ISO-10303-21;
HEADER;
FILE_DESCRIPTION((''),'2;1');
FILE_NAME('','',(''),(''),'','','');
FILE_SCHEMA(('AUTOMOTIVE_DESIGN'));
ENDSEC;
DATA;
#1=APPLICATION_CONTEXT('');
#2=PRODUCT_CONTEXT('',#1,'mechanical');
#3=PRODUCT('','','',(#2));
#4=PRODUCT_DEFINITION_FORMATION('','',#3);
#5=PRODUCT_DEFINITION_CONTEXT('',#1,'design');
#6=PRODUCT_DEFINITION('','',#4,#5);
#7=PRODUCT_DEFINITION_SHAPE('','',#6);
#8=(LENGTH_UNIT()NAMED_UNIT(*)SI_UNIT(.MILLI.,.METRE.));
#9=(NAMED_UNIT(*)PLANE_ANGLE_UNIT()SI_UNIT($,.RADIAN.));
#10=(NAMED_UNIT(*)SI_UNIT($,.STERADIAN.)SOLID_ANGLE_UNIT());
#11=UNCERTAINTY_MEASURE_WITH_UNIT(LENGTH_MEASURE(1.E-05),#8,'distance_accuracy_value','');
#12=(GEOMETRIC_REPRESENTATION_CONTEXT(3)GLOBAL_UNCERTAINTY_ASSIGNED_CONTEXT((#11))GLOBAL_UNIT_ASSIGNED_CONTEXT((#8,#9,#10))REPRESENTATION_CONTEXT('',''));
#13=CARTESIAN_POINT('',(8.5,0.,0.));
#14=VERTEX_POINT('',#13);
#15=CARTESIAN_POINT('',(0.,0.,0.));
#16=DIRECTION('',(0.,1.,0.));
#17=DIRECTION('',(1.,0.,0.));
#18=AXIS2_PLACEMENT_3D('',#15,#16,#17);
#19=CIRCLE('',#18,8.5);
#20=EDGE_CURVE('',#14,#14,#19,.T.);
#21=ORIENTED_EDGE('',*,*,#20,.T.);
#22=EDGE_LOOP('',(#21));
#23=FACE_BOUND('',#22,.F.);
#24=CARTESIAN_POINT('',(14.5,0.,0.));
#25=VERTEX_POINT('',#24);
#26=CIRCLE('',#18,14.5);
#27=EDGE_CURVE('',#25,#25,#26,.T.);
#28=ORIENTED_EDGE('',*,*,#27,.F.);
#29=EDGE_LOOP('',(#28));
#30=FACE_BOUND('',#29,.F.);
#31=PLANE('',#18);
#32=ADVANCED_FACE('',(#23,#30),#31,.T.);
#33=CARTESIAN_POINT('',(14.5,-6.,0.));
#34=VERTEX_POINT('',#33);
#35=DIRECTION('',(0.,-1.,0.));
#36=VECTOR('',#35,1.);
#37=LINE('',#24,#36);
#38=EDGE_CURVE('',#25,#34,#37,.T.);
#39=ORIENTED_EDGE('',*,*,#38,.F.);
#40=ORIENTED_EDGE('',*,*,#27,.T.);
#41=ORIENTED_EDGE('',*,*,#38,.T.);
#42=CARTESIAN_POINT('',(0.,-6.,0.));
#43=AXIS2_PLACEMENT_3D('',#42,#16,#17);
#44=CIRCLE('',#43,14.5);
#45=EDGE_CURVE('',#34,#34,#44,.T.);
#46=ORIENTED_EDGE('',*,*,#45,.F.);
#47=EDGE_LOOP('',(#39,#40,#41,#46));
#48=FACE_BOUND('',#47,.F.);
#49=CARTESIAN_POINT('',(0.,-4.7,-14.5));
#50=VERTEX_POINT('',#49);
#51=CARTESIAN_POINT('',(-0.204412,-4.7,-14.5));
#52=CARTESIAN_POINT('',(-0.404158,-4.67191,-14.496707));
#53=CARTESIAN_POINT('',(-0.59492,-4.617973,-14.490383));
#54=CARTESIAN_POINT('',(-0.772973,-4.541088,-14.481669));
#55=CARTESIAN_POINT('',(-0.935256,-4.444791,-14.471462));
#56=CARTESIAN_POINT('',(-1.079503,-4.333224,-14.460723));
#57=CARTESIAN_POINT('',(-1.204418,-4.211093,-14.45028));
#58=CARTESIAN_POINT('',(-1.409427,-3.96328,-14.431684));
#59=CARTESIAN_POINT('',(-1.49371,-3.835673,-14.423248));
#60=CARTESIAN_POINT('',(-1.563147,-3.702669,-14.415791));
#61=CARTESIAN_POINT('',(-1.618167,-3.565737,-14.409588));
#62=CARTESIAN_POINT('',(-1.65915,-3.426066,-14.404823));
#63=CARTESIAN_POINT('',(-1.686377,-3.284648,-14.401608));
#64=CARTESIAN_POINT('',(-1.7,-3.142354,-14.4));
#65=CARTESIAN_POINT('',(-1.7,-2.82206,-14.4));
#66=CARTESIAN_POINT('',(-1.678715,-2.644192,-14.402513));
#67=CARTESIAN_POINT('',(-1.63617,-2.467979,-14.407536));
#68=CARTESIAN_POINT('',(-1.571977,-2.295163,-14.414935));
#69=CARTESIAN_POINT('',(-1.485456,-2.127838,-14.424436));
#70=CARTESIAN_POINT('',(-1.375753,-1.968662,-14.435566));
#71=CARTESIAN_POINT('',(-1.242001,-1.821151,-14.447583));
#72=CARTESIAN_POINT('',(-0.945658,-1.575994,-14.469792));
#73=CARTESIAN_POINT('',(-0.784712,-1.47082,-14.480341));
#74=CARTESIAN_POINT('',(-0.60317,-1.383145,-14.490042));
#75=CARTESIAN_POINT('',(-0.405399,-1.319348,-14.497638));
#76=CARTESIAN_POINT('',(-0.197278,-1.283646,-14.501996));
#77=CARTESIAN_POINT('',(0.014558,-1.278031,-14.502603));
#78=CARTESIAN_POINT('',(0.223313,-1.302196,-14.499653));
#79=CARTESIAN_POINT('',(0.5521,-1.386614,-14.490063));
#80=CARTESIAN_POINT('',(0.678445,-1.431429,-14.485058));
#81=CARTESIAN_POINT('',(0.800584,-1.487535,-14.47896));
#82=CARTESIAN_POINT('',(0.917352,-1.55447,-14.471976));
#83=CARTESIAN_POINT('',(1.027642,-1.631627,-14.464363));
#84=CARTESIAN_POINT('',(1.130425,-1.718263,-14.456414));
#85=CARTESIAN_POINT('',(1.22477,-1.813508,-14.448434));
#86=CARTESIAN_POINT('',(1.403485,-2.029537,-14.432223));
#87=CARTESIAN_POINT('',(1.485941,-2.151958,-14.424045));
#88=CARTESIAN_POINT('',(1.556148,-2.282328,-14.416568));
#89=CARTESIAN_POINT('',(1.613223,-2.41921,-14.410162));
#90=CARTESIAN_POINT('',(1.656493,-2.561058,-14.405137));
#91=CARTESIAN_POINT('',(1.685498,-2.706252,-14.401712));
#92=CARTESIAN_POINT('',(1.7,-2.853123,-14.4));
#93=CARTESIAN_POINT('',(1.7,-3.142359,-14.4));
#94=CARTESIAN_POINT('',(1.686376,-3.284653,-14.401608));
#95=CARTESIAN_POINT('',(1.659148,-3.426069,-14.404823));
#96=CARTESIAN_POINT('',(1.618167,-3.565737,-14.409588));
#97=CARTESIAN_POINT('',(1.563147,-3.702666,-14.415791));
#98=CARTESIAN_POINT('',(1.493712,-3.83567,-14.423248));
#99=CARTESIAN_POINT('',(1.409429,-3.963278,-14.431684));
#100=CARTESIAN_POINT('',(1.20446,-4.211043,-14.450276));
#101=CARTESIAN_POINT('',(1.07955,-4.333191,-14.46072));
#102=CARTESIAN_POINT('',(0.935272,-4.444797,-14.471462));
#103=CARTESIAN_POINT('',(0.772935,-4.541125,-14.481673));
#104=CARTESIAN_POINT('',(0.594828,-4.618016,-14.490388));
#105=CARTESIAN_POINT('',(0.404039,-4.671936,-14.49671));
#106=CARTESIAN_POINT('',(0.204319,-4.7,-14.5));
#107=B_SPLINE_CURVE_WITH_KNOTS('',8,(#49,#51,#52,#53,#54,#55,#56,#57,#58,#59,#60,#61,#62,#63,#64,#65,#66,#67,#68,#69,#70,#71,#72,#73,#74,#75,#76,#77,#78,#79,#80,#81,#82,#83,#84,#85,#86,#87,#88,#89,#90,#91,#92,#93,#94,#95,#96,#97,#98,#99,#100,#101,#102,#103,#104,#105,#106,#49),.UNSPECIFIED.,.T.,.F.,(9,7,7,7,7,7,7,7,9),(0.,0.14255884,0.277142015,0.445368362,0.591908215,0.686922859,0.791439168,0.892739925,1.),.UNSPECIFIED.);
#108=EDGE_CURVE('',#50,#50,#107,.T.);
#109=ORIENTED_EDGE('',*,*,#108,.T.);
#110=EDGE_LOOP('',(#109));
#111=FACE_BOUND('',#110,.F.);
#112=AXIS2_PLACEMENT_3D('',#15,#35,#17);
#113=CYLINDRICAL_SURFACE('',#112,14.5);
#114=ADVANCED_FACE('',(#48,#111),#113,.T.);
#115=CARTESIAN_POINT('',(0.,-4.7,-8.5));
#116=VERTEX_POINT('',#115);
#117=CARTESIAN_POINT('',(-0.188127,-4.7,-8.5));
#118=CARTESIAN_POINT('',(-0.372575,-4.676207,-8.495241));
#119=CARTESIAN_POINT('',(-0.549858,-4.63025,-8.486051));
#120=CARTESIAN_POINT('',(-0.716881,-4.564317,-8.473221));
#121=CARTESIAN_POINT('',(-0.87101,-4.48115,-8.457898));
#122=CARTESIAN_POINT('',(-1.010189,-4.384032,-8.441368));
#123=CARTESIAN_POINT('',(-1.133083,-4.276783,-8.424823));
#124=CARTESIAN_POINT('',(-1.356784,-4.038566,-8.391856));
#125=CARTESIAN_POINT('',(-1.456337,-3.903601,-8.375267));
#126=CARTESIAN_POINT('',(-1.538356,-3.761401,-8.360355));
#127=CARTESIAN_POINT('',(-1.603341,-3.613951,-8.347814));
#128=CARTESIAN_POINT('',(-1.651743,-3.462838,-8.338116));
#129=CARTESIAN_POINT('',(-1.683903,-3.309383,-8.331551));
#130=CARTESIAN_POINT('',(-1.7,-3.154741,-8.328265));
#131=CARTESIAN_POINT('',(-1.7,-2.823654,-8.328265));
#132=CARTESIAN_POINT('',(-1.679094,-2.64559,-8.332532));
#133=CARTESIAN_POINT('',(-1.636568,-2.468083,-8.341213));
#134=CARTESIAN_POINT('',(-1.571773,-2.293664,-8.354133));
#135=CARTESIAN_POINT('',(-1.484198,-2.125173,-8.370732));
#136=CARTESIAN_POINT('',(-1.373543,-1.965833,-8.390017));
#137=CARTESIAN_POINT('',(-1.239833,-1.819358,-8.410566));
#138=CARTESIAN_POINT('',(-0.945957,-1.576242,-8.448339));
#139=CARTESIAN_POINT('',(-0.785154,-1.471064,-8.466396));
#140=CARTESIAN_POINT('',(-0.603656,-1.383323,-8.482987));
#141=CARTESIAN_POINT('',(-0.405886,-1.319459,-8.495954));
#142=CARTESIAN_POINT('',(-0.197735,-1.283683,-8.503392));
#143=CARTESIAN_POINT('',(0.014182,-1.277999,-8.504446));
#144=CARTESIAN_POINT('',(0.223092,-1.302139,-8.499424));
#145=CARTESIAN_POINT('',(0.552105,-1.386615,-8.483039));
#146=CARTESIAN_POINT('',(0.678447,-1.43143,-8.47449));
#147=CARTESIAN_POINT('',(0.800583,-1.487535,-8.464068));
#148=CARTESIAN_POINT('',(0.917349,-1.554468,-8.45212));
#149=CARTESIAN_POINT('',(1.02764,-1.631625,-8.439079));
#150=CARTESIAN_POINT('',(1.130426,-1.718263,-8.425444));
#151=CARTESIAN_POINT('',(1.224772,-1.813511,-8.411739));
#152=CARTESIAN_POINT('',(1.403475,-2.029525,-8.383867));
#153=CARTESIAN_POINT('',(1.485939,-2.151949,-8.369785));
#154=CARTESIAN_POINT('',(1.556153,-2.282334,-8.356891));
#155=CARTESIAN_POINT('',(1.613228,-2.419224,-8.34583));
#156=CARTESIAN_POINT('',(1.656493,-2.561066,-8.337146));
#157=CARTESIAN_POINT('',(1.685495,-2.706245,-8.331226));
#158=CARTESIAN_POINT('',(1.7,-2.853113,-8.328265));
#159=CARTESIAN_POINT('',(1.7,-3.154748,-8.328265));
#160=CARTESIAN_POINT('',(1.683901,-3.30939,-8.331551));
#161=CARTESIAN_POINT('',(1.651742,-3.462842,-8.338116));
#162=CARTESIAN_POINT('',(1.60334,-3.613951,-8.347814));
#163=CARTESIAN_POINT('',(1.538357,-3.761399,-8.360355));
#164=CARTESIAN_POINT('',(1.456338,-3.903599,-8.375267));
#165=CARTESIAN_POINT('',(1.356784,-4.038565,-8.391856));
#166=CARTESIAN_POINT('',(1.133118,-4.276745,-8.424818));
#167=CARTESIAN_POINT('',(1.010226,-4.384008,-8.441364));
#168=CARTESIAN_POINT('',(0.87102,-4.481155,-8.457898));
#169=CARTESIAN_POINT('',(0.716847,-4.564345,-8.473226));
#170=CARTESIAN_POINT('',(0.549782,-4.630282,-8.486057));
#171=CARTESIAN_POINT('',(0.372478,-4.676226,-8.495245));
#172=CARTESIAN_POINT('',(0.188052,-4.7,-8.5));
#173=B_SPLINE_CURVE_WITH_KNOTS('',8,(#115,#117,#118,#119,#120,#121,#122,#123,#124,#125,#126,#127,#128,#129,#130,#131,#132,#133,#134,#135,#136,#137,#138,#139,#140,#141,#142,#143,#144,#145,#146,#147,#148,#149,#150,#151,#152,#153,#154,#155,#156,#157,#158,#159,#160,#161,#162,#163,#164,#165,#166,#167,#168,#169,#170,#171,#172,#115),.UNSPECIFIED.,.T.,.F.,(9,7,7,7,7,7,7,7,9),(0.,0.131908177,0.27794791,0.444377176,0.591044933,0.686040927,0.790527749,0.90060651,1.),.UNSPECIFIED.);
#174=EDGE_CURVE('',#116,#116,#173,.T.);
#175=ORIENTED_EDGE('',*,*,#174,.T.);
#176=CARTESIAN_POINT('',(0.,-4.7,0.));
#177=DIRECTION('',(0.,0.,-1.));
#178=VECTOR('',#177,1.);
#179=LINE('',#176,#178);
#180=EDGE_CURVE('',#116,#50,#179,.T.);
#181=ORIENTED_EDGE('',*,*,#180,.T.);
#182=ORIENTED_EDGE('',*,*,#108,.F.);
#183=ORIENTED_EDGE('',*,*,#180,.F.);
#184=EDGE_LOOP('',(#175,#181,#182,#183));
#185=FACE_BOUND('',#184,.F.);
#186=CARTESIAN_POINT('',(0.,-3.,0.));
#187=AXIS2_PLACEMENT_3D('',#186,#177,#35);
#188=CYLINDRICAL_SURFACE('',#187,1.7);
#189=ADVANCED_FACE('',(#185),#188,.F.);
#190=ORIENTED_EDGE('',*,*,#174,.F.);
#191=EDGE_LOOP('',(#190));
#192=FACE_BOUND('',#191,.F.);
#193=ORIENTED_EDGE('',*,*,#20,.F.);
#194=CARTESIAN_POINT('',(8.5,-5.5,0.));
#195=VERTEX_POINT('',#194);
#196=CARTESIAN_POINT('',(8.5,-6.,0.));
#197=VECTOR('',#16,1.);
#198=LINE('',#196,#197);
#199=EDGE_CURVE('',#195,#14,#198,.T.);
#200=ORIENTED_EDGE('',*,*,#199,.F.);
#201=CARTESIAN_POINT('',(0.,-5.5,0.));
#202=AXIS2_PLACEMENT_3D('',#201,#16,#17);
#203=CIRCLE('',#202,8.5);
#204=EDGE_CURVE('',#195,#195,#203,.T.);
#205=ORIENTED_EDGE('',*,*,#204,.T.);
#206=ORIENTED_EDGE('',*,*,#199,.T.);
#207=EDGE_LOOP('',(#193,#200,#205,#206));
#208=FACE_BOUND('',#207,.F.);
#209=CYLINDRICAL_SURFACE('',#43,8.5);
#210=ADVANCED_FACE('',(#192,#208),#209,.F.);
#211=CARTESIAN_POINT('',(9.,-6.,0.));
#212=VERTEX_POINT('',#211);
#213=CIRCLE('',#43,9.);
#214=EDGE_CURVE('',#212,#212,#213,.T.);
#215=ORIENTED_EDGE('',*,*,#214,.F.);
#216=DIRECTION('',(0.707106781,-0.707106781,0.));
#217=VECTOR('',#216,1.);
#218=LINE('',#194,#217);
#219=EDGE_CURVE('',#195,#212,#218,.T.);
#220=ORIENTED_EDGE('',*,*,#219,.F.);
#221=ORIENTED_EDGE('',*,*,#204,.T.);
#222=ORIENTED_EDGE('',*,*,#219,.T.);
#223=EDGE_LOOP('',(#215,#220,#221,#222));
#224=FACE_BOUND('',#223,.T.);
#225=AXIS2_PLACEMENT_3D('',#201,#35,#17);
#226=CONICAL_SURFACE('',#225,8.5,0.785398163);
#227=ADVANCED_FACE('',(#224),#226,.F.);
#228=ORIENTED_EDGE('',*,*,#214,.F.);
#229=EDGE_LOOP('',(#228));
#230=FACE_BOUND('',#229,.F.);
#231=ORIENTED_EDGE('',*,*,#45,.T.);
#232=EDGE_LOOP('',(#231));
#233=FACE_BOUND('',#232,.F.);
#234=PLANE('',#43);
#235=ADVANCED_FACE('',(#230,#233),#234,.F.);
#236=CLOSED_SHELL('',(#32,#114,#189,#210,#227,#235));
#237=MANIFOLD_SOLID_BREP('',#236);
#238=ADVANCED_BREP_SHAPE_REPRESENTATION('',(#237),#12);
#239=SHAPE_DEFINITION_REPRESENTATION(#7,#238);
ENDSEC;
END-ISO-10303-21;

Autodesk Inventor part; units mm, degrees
ref_plane "YZ Plane" through (0, 0, 0) normal (1, 0, 0) x (0, 1, 0)
ref_plane "XZ Plane" through (0, 0, 0) normal (0, 1, 0) x (-1, 0, 0)
ref_plane "XY Plane" through (0, 0, 0) normal (0, 0, 1) x (1, 0, 0)
sketch "Sketch1" plane through (0, 0, 0) normal (0, 0, 1) x (1, 0, 0)
  line L0 (8.5, 0) -> (14.5, 0)
  line L1 (14.5, 0) -> (14.5, 2.5)
  line L2 (14.5, 2.5) -> (8.5, 2.5)
  line L3 (8.5, 2.5) -> (8.5, 0)
  line L4 (8.5, 0) -> (14.5, 0)
  line L5 (14.5, 0) -> (14.5, -6)
  line L6 (14.5, -6) -> (8.5, -6)
  line L7 (8.5, -6) -> (8.5, 0)
  line L8 (0, -7.7) -> (0, 4.2) projected
  point P0 (0, 0)
  point P1 (14.5, 0)
  dimension "d0" = 2.5
  dimension "d1" = 8.5
  dimension "d2" = 6
  dimension "d3" = 6
  dimension "d4" = 6
revolve "Revolution1" add sketch "Sketch1" angle 360 about axis through (0, -10, 0) along (0, 1, 0) contours L0 L5 L6 L7
sketch "Sketch2" plane through (0, 0, 0) normal (0, 0, 1) x (1, 0, 0)
  line L0 (0, 0) -> (0, -6) construction
  line L1 (8.5, -6) -> (-8.5, -6) projected
  line L2 (8.5, 0) -> (-8.5, 0) projected
  point P0 (0, -3)
hole "Hole1" at (0, -3, 0) direction (0, 0, -1) diameter 3.4 end through all clearance for "Hex Head Cap Screw ISO 24017" size "M3" standard "ISO"
chamfer "Chamfer1" distance 0.5 angle 45 1 edges at (-8.5, -6, 0)
properties part number "spring safety"
